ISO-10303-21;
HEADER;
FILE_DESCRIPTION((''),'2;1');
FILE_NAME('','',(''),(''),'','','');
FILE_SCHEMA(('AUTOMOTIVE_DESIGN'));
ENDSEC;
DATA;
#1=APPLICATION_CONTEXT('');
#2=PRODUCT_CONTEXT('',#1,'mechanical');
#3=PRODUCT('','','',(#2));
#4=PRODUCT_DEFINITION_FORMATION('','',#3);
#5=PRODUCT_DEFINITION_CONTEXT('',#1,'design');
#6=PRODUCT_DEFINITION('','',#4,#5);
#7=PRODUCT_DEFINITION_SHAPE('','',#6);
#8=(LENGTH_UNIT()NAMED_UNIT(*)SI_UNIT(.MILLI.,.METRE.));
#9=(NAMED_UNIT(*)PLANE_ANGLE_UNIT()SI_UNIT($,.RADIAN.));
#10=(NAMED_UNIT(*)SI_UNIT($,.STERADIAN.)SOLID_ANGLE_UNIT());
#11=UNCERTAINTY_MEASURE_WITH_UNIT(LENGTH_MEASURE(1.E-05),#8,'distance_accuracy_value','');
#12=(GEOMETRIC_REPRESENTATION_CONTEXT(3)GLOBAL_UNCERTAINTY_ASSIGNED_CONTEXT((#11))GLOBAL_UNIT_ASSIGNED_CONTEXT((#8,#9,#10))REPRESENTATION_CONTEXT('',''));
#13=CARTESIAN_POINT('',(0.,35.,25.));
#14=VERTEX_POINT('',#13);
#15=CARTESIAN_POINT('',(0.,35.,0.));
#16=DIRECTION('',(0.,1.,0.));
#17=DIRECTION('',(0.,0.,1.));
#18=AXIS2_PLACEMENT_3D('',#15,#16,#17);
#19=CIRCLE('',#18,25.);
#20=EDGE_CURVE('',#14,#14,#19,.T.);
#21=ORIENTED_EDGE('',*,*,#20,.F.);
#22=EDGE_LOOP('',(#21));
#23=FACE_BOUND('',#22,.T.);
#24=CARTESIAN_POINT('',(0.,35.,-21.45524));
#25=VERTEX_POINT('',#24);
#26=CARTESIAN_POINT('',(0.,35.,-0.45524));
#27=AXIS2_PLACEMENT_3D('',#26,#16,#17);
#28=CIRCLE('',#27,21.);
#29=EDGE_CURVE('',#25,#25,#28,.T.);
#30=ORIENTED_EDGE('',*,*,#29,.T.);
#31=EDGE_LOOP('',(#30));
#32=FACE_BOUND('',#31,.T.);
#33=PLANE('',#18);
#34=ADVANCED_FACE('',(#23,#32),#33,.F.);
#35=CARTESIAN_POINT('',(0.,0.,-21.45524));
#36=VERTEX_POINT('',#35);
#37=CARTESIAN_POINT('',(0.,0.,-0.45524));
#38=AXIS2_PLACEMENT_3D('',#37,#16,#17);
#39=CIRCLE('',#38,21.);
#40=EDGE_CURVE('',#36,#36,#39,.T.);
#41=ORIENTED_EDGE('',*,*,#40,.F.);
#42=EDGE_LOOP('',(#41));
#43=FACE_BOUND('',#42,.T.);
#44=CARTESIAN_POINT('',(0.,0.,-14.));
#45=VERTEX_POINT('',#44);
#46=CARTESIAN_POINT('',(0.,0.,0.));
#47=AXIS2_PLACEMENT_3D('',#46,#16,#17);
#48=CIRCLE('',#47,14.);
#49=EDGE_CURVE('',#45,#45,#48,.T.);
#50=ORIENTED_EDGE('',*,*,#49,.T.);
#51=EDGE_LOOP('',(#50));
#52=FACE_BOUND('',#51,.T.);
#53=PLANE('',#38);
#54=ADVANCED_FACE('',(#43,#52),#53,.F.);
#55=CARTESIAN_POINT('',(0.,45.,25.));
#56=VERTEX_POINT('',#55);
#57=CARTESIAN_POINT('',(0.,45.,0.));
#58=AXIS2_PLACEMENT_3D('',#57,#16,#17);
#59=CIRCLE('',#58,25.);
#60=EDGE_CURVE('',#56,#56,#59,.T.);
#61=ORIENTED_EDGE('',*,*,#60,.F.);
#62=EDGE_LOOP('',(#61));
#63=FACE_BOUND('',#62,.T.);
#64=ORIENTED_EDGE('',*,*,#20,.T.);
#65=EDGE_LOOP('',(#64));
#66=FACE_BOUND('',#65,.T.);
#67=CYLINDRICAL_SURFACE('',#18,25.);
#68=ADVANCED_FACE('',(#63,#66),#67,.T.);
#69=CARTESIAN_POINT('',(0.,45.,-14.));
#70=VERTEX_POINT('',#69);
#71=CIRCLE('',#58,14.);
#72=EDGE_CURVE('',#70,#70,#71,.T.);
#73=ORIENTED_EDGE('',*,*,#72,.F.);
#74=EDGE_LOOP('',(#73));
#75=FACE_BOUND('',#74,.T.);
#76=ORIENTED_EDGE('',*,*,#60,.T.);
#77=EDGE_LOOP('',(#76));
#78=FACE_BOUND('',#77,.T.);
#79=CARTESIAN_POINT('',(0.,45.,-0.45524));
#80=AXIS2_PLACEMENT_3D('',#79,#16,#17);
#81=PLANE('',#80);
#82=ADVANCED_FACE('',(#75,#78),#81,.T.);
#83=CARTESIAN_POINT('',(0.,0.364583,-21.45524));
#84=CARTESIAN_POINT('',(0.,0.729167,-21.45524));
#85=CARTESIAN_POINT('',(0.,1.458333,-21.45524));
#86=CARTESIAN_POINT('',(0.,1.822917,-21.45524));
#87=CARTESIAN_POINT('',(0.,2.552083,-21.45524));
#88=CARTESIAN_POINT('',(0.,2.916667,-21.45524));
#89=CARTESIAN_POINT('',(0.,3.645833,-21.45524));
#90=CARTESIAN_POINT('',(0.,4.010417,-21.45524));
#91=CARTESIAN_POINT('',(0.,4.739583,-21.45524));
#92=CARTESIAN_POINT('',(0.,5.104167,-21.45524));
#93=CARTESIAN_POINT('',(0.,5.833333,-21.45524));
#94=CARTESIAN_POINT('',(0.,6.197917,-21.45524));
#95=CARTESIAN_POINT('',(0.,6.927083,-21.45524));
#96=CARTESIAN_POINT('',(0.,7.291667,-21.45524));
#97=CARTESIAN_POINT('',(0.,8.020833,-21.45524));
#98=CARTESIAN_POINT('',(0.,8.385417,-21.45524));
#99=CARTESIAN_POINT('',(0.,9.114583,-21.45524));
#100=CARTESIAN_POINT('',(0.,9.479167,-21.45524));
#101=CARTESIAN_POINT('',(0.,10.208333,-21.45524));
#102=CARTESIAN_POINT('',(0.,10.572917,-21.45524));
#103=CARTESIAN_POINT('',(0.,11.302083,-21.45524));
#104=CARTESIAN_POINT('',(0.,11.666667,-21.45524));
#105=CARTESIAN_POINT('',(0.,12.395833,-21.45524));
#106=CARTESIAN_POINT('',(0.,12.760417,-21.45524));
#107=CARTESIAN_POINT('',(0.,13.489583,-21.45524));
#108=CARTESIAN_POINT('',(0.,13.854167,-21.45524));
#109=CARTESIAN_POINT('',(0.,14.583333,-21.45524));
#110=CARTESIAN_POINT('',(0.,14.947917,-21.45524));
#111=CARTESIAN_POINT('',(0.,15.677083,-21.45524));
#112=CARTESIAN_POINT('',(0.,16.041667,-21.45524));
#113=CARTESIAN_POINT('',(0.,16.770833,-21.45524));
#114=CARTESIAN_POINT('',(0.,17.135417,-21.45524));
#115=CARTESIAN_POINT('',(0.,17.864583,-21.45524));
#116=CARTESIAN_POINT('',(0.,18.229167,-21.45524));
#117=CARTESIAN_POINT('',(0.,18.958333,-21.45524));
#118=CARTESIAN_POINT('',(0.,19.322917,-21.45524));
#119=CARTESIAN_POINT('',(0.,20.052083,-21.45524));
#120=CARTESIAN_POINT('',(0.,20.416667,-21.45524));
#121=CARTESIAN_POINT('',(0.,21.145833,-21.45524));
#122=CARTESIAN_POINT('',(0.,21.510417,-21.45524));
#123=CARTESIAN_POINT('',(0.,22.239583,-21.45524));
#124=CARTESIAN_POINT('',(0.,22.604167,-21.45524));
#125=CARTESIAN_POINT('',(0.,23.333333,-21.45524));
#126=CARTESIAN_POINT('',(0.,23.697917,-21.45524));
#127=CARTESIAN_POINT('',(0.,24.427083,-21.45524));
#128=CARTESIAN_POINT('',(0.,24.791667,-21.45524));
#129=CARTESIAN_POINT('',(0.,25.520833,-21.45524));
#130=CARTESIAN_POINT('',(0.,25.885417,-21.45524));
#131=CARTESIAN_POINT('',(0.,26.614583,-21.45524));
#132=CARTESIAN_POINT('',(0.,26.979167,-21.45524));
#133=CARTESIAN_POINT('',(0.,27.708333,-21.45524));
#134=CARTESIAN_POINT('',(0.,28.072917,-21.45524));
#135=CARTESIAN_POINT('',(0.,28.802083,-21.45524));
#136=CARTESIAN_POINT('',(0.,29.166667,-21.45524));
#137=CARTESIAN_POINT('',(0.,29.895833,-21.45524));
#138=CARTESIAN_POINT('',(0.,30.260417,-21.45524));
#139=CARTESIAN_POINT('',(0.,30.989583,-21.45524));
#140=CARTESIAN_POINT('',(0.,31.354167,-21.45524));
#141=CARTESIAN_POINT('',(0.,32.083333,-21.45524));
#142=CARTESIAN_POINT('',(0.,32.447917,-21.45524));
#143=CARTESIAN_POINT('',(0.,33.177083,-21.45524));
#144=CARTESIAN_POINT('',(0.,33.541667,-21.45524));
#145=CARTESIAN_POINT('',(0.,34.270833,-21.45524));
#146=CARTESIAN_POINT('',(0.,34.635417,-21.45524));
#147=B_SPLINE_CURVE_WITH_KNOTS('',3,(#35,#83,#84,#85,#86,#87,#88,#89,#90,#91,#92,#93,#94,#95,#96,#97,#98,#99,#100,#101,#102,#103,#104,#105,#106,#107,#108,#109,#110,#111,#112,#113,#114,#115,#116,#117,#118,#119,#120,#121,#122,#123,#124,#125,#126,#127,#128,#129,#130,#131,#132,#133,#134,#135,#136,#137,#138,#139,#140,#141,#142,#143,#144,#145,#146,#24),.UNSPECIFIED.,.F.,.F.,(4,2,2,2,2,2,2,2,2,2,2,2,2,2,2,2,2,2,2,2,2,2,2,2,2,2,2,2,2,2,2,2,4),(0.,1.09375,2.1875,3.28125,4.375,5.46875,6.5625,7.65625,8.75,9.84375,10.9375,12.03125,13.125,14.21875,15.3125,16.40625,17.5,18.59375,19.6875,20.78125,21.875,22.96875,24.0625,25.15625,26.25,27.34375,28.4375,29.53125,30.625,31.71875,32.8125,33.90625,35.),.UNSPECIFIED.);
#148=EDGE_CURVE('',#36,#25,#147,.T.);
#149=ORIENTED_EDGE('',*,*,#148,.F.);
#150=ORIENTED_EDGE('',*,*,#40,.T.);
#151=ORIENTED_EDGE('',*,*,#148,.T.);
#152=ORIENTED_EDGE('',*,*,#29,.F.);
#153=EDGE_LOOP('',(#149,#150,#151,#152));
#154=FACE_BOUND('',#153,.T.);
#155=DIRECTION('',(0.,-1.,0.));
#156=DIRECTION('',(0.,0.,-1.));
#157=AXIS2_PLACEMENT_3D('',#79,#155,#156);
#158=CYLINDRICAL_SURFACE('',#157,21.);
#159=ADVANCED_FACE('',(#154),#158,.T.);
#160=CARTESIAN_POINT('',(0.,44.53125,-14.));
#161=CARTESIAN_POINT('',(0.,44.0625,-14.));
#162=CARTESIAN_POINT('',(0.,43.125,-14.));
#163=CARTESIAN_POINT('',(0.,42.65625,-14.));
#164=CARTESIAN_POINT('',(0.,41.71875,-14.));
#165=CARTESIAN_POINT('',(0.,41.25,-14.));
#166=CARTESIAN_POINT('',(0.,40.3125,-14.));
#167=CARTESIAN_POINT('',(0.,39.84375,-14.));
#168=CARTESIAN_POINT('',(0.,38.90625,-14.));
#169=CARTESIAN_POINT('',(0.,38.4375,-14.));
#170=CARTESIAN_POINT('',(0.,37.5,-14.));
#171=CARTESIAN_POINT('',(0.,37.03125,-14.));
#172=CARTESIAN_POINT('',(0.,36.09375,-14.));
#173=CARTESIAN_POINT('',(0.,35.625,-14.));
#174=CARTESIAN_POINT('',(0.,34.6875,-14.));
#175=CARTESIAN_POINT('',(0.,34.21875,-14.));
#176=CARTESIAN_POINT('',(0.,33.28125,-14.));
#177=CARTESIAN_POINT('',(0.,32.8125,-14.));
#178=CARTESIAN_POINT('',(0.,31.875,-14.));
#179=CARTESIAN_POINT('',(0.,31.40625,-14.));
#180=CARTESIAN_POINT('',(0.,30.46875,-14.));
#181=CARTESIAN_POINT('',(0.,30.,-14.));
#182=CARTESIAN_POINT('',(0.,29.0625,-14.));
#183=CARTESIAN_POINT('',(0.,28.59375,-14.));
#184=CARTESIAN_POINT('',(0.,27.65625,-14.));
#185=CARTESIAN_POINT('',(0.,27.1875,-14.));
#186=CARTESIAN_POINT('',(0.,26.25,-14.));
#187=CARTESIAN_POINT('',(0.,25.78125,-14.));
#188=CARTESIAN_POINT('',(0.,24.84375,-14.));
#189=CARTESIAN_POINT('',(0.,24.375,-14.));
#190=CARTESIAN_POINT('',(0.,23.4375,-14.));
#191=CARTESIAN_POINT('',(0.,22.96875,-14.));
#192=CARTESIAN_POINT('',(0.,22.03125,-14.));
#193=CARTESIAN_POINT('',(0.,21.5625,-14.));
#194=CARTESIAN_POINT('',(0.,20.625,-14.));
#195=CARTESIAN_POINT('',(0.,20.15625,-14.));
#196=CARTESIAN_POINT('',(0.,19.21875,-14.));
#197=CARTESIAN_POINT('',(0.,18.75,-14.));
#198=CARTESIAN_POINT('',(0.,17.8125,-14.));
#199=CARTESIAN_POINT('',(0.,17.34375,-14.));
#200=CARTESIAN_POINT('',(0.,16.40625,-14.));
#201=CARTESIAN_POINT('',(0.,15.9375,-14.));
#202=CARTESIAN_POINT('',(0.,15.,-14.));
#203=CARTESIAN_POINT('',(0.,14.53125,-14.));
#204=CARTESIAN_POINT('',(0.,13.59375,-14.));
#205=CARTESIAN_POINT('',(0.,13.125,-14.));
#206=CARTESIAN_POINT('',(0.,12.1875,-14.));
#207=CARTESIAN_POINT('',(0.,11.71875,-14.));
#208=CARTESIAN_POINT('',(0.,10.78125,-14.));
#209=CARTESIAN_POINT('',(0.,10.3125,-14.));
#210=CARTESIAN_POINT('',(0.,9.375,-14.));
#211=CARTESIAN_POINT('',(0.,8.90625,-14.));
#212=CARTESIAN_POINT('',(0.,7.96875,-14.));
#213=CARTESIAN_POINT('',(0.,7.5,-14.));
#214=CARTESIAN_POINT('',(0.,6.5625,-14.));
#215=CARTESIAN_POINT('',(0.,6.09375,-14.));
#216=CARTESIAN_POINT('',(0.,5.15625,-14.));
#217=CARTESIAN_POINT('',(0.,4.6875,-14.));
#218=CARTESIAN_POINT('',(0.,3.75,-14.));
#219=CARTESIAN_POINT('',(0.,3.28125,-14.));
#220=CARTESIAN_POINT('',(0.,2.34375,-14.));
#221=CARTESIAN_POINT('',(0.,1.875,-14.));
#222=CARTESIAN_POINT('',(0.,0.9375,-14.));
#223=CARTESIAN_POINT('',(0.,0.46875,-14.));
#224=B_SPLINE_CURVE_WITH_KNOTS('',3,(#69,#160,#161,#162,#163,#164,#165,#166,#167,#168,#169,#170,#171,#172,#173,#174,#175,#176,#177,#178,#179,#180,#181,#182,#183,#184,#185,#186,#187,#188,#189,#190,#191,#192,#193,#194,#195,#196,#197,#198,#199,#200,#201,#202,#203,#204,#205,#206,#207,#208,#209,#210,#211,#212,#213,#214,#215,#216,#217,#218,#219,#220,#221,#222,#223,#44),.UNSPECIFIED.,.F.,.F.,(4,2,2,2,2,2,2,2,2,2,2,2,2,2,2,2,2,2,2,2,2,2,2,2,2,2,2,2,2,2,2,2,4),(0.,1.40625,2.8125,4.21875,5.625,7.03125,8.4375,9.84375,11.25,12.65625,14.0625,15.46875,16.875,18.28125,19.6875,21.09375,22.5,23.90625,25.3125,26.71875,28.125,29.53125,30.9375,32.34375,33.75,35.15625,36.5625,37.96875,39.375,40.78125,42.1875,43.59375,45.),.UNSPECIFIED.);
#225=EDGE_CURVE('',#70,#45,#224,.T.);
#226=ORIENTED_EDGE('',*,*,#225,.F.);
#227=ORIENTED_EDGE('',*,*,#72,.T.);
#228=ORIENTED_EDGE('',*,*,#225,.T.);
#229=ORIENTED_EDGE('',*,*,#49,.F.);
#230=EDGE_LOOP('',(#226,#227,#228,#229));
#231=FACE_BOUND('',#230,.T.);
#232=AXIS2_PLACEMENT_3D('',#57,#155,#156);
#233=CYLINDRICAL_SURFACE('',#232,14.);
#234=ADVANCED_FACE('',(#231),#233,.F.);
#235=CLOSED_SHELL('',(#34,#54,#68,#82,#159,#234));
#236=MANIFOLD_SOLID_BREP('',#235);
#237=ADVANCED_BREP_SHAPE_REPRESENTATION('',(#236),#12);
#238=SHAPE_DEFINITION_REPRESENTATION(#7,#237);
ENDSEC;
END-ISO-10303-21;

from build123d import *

# Parameters (mm, degrees)
SKETCH_1_R      = 21
SKETCH_1_R_2    = 14
EXTRUDE_1_DEPTH = 45
EXTRUDE_START   = -10
SKETCH_2_R      = 25
SKETCH_2_R_2    = 14
EXTRUDE_2_DEPTH = 10


with BuildPart() as part:
    # 草图1 → 凸台-拉伸1 (new body)
    with BuildSketch(Plane(origin=(0, 0, 0), x_dir=(1, 0, 0), z_dir=(0, 1, 0))):
        with Locations(Location((0, 0.455240015, 0), (0, 0, 90))):
            Circle(SKETCH_1_R)
        with Locations(Location((0, 0, 0), (0, 0, 90))):
            Circle(SKETCH_1_R_2, mode=Mode.SUBTRACT)
    extrude(amount=EXTRUDE_1_DEPTH)

    # 草图2 → 凸台-拉伸2 (add)
    with BuildSketch(Plane(origin=(0, 45, 0), x_dir=(1, 0, 0), z_dir=(0, 1, 0)).offset(EXTRUDE_START)):
        with Locations(Location((0, 0, 0), (0, 0, 270))):
            Circle(SKETCH_2_R)
        with Locations(Location((0, 0, 0), (0, 0, 90))):
            Circle(SKETCH_2_R_2, mode=Mode.SUBTRACT)
    extrude(amount=EXTRUDE_2_DEPTH)


solid = part.part
